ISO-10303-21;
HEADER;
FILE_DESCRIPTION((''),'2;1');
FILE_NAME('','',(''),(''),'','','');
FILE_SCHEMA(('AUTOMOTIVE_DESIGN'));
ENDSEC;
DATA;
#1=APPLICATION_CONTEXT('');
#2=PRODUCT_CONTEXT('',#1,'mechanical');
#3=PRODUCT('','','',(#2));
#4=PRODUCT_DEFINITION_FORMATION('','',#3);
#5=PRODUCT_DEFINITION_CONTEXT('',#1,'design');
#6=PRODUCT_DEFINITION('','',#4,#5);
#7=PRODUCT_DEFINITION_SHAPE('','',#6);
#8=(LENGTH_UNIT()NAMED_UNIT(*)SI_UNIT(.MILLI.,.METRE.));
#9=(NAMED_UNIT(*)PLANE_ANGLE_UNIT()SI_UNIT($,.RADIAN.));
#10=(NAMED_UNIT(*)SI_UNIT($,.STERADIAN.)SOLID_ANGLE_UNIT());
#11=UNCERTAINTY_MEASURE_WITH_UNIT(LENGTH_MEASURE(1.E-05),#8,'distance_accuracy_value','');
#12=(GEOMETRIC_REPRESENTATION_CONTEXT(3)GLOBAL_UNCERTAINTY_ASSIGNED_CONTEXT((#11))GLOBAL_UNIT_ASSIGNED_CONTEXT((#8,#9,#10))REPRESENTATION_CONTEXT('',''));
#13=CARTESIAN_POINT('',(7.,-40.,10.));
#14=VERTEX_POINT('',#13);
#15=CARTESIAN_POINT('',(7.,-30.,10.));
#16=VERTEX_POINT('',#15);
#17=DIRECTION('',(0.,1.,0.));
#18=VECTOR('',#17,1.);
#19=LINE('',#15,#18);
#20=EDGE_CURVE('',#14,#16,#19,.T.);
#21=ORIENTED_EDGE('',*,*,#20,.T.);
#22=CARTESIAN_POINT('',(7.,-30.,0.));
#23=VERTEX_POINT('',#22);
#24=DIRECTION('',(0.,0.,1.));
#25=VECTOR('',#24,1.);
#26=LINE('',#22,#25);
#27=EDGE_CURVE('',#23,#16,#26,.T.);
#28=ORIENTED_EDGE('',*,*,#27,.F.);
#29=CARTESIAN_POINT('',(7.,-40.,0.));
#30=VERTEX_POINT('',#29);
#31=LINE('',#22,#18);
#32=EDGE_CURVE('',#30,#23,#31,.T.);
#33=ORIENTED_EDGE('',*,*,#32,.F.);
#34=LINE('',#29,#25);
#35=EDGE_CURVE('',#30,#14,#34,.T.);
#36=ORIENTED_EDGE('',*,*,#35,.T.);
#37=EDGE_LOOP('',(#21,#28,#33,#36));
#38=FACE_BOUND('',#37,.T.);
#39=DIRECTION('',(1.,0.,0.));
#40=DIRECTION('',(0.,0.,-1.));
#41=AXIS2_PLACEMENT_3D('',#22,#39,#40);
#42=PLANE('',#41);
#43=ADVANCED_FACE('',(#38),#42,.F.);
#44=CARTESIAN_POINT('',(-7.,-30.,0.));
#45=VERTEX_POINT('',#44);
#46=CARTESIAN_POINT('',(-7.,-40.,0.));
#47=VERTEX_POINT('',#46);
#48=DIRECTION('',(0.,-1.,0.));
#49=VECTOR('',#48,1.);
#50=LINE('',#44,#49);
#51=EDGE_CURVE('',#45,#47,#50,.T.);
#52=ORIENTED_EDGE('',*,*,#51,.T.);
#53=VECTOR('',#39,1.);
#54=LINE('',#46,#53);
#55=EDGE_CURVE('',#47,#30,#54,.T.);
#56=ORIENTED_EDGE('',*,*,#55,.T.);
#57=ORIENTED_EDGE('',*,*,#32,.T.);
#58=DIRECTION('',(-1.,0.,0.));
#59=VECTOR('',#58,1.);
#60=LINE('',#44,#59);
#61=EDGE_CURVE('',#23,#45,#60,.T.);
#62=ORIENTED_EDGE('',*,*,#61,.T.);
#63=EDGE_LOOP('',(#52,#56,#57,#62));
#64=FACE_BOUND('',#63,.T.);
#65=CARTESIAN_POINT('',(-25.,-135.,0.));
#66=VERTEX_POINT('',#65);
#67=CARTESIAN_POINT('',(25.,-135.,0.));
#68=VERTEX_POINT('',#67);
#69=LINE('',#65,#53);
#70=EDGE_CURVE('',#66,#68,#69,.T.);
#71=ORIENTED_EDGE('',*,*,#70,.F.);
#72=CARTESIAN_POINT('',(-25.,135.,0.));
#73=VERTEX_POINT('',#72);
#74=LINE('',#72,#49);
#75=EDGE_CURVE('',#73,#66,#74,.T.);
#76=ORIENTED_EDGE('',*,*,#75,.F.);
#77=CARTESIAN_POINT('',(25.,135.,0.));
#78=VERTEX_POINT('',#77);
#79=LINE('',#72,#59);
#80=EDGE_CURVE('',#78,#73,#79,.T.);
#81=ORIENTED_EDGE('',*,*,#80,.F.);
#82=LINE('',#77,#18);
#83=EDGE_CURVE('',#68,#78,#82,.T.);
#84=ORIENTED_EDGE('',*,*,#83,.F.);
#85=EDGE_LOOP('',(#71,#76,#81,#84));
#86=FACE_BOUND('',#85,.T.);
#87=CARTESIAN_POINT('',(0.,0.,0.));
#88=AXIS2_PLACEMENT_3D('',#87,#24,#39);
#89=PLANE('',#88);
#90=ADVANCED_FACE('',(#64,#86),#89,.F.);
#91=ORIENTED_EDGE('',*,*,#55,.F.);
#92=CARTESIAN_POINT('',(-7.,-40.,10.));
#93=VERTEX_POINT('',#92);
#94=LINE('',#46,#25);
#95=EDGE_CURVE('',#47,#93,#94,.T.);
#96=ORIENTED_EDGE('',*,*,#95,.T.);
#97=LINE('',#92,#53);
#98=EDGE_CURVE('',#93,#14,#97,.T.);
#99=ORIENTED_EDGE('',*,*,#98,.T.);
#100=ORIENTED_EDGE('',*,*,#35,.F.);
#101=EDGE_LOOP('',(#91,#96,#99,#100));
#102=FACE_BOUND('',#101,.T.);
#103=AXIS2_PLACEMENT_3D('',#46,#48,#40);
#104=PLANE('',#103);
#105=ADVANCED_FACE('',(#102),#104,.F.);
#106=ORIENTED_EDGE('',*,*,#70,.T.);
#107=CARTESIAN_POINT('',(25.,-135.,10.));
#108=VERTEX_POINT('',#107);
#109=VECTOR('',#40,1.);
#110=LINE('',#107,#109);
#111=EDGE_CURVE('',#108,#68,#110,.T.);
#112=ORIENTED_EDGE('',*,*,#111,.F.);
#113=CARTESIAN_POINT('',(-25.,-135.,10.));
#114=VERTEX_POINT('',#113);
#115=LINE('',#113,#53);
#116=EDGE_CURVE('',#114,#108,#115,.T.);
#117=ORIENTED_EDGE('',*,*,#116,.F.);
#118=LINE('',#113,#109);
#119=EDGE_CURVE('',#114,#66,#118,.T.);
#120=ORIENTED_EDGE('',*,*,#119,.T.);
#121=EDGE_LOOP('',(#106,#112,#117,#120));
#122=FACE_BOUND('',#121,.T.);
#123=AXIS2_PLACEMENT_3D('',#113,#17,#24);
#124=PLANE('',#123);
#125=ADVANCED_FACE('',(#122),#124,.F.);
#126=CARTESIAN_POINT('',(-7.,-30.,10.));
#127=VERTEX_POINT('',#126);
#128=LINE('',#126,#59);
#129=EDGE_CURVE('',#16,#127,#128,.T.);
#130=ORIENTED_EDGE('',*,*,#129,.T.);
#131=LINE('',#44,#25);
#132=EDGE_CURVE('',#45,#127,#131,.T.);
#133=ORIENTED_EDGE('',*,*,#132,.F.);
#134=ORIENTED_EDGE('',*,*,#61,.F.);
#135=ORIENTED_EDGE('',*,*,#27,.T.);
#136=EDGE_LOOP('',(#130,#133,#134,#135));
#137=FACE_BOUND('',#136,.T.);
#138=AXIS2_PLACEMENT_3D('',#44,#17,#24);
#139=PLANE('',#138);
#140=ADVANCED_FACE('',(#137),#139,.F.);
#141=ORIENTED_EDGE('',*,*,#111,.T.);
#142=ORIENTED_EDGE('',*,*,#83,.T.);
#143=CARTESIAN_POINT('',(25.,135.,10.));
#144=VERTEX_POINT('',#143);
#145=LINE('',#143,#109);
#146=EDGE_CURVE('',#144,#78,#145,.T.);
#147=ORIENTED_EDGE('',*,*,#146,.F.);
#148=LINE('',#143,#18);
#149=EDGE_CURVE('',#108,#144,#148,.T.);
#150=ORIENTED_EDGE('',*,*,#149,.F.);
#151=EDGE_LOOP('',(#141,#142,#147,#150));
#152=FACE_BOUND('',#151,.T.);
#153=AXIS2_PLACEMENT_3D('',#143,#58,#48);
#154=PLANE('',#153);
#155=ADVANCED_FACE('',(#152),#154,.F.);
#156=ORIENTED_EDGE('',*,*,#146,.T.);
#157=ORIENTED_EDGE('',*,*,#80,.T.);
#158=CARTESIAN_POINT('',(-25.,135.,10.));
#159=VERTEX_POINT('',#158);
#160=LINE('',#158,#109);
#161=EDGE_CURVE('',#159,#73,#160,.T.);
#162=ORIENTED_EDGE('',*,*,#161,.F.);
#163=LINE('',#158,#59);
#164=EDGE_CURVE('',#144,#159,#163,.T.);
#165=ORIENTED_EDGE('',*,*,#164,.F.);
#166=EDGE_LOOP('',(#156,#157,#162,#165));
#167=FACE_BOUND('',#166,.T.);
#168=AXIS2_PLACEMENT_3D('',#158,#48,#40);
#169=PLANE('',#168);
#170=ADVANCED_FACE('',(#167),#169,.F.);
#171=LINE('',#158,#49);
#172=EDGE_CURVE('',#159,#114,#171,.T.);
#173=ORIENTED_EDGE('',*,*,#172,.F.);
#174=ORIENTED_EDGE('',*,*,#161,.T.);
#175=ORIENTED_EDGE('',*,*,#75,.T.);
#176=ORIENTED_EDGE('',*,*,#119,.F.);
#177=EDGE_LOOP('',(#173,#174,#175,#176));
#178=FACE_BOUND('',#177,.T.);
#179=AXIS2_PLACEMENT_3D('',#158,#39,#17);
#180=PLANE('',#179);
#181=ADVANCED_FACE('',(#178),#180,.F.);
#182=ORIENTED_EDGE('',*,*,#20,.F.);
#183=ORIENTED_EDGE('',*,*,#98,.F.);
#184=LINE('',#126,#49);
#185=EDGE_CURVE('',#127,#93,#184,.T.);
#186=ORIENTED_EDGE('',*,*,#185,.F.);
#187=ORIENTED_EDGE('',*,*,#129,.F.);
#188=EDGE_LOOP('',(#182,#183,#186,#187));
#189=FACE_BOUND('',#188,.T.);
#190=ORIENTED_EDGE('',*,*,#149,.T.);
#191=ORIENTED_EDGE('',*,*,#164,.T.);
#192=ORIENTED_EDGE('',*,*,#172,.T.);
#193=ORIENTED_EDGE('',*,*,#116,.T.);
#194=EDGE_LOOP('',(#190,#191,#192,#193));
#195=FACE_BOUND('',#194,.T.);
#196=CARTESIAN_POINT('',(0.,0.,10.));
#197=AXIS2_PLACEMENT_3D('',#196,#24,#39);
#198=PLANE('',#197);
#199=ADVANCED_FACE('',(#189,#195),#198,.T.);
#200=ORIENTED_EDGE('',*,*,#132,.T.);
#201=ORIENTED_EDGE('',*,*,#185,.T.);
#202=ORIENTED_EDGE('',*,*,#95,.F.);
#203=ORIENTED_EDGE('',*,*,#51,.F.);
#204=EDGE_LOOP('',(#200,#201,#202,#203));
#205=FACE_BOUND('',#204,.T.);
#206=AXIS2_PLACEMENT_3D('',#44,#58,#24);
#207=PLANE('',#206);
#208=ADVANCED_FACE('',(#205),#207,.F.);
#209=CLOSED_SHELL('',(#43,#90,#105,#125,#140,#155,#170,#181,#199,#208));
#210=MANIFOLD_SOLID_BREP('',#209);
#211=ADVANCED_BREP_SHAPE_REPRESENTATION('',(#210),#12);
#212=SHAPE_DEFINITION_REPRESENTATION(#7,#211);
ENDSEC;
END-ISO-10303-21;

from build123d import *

# Parameters (mm, degrees)
SKETCH1_W           = 50
SKETCH1_H           = 270
BOSS_EXTRUDE1_DEPTH = 10
SKETCH2_W           = 14
SKETCH2_H           = 10
CUT_EXTRUDE1_DEPTH  = 138.658998979


with BuildPart() as part:
    # Sketch1 → Boss-Extrude1 (new body)
    with BuildSketch(Plane.XY):
        Rectangle(SKETCH1_W, SKETCH1_H)
    extrude(amount=BOSS_EXTRUDE1_DEPTH)

    # Sketch2 → Cut-Extrude1 (cut, through all)
    with BuildSketch(Plane.XY.offset(10)):
        with Locations((0, -35)):
            Rectangle(SKETCH2_W, SKETCH2_H)
    extrude(amount=-CUT_EXTRUDE1_DEPTH, mode=Mode.SUBTRACT)


solid = part.part
